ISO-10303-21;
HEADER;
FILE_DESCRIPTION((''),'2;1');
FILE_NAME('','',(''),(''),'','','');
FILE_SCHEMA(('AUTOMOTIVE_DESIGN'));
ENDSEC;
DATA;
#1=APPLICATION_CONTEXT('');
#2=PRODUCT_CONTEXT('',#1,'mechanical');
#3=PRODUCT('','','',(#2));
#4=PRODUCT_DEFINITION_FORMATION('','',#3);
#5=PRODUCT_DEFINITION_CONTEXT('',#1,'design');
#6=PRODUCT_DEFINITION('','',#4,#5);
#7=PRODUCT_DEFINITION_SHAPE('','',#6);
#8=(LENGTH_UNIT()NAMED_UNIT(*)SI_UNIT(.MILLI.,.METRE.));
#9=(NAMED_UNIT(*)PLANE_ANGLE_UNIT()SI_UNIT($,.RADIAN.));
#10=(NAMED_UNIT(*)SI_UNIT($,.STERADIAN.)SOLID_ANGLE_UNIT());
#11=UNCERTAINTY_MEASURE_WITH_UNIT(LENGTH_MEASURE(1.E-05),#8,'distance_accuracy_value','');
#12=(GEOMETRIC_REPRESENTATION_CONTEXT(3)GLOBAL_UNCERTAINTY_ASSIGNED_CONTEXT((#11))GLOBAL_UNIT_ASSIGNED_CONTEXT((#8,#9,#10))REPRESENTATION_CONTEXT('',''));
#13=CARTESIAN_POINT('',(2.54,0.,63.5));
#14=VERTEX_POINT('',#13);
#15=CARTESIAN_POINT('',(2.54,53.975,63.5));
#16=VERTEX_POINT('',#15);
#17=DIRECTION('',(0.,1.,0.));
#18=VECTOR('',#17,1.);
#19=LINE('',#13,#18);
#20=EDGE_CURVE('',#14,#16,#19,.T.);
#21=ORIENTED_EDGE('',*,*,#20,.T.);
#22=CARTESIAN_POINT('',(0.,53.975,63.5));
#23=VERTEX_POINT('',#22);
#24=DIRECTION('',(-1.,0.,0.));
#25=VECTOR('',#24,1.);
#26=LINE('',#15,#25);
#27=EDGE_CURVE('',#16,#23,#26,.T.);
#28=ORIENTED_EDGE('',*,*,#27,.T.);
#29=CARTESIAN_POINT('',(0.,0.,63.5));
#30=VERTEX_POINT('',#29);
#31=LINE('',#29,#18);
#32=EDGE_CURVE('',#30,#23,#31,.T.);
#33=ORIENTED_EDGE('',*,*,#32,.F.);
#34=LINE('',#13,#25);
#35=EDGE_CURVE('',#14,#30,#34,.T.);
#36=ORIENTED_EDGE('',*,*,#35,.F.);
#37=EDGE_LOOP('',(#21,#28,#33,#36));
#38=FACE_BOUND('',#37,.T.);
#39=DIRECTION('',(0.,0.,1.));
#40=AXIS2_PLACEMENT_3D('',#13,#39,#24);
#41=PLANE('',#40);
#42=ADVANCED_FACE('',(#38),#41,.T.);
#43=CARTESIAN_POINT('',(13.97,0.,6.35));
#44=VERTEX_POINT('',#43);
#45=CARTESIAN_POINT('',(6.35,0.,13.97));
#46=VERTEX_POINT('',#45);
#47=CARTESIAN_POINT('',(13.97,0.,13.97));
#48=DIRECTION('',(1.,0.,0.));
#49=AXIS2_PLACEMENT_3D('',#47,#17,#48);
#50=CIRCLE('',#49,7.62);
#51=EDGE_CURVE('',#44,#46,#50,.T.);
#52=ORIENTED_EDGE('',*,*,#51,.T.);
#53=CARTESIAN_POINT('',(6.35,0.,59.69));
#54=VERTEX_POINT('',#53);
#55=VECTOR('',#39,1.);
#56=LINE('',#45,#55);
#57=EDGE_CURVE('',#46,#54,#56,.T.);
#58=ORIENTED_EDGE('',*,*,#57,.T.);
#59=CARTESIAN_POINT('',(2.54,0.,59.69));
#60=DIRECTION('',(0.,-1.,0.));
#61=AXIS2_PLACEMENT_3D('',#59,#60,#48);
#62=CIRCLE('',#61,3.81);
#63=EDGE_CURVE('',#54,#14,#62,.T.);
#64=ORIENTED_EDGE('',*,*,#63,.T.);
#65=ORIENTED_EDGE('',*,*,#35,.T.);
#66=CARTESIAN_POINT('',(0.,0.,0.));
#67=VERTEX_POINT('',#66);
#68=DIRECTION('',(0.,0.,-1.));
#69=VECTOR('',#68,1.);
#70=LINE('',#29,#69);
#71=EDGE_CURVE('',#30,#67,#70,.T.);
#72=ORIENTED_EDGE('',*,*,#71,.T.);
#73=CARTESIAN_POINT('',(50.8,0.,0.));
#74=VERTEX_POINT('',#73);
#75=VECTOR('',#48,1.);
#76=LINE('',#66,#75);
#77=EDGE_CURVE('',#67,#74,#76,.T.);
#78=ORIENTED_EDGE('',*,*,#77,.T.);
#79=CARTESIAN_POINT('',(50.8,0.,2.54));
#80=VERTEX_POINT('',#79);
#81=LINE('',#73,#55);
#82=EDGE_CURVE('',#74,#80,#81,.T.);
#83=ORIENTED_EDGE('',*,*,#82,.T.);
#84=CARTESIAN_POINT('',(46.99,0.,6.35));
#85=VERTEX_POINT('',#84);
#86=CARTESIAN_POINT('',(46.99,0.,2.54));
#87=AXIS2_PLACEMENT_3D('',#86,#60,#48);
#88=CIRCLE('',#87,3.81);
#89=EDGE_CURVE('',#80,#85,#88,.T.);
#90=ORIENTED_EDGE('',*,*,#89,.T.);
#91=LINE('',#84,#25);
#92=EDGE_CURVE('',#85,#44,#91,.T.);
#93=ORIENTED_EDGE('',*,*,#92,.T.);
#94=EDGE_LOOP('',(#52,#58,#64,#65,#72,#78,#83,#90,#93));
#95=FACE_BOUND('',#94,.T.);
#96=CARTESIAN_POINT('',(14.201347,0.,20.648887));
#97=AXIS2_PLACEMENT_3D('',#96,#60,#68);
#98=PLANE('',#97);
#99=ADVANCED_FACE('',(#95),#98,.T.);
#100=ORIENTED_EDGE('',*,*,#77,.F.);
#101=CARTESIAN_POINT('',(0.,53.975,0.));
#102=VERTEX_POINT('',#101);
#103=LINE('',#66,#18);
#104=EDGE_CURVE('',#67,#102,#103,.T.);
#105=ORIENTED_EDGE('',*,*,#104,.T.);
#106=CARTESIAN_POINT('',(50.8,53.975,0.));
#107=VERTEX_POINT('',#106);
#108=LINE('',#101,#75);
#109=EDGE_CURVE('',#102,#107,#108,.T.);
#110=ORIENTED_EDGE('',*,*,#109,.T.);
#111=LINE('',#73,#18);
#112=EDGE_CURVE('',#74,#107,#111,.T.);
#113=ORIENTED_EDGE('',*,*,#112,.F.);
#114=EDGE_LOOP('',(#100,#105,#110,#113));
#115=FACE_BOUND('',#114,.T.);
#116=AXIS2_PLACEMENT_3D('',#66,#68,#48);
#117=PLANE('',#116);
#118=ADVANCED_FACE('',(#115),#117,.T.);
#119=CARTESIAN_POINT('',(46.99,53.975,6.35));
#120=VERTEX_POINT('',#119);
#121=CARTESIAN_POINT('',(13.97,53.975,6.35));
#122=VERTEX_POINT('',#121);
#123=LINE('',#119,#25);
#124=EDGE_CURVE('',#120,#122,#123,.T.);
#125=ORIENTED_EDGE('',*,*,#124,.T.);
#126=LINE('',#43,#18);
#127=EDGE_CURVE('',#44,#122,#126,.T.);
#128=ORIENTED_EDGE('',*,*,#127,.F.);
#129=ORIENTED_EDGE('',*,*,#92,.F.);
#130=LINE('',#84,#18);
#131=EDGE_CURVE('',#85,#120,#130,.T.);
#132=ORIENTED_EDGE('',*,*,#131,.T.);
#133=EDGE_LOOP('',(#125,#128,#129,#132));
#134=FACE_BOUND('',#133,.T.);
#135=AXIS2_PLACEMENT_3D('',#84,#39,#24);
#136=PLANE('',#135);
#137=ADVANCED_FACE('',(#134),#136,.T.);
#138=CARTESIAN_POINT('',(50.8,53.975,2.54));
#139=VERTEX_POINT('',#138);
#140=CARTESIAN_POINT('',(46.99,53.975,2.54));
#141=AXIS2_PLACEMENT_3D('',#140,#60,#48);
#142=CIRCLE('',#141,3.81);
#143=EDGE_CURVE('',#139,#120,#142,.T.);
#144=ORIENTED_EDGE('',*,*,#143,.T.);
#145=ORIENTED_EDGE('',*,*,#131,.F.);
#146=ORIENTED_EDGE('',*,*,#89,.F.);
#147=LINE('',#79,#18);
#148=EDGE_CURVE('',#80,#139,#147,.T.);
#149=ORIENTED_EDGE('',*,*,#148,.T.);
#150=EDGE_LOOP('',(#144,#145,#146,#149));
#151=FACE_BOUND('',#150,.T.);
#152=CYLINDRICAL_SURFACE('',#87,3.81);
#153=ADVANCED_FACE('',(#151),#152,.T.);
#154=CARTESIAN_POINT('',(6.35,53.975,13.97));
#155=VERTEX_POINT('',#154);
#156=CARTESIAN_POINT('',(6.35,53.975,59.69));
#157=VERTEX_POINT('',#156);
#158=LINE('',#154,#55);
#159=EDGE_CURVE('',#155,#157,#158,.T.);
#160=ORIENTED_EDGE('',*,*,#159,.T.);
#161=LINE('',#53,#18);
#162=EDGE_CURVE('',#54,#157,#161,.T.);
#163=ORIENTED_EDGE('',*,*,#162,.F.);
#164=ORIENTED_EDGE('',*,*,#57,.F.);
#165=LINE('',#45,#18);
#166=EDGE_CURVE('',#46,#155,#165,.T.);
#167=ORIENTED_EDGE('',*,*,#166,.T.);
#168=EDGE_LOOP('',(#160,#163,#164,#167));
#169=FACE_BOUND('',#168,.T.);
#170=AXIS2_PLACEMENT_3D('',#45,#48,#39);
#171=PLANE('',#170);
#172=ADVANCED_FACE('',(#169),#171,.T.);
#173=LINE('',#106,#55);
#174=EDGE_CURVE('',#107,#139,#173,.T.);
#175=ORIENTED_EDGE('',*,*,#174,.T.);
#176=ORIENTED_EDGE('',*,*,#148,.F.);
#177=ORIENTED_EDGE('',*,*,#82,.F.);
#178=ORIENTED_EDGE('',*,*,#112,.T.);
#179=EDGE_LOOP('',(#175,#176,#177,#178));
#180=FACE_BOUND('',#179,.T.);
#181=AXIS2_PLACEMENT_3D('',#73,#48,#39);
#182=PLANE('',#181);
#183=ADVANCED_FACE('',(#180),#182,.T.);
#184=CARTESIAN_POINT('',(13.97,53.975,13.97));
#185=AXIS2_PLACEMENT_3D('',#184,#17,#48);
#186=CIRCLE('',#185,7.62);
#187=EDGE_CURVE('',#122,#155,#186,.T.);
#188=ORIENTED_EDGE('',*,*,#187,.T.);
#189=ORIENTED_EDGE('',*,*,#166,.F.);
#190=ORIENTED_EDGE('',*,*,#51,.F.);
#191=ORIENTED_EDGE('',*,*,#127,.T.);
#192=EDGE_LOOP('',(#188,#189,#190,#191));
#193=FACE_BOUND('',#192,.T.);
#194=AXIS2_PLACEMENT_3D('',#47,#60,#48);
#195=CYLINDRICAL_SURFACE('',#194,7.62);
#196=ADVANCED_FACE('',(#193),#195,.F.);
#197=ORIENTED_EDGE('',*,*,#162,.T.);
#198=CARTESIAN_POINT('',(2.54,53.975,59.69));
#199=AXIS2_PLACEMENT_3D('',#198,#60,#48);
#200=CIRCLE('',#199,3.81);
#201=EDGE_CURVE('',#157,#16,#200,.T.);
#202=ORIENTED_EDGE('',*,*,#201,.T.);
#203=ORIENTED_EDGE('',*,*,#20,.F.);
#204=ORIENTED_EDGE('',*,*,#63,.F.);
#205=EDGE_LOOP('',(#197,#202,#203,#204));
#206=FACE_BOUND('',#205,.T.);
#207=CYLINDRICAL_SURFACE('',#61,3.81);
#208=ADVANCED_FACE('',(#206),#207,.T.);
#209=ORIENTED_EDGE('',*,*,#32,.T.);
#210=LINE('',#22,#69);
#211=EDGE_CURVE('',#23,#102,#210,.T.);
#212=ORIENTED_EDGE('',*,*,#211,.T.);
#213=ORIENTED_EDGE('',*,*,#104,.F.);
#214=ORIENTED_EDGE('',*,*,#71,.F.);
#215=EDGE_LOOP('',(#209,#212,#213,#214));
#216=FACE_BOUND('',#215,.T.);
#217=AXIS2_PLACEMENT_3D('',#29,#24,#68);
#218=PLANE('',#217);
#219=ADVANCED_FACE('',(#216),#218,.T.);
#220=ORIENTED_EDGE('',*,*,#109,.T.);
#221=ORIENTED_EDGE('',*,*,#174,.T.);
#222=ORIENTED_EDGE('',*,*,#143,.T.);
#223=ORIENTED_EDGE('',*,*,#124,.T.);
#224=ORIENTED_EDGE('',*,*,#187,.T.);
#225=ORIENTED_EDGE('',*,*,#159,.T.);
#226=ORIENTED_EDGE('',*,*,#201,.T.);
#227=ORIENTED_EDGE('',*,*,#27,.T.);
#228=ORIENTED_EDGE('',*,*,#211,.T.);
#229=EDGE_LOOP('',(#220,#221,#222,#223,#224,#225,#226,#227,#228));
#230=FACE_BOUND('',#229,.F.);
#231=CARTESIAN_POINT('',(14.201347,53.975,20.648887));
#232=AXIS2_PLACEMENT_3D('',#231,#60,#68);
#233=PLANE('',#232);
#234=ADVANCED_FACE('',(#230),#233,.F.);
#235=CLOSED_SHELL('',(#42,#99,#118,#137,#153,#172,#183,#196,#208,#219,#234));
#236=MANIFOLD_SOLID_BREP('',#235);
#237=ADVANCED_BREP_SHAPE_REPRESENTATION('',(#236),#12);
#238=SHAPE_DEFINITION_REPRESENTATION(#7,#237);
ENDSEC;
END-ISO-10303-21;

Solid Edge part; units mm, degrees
sketch "Sketch1" plane through (0, 0, 0) normal (0, -1, 0) x (1, 0, 0)
  line L0 (0, 63.5) -> (0, 0)
  line L1 (0, 0) -> (50.8, 0)
  line L2 (50.8, 0) -> (50.8, 2.54)
  arc A0 (50.8, 2.54) -> (46.99, 6.35) centre (46.99, 2.54) ccw
  line L3 (46.99, 6.35) -> (13.97, 6.35)
  arc A1 (13.97, 6.35) -> (6.35, 13.97) centre (13.97, 13.97) cw
  line L4 (6.35, 13.97) -> (6.35, 59.69)
  arc A2 (6.35, 59.69) -> (2.54, 63.5) centre (2.54, 59.69) ccw
  line L5 (2.54, 63.5) -> (0, 63.5)
  dimension "D1" = 63.5
  dimension "D2" = 50.8
extrude "Protrusion1" add sketch "Sketch1" against normal blind 53.975
